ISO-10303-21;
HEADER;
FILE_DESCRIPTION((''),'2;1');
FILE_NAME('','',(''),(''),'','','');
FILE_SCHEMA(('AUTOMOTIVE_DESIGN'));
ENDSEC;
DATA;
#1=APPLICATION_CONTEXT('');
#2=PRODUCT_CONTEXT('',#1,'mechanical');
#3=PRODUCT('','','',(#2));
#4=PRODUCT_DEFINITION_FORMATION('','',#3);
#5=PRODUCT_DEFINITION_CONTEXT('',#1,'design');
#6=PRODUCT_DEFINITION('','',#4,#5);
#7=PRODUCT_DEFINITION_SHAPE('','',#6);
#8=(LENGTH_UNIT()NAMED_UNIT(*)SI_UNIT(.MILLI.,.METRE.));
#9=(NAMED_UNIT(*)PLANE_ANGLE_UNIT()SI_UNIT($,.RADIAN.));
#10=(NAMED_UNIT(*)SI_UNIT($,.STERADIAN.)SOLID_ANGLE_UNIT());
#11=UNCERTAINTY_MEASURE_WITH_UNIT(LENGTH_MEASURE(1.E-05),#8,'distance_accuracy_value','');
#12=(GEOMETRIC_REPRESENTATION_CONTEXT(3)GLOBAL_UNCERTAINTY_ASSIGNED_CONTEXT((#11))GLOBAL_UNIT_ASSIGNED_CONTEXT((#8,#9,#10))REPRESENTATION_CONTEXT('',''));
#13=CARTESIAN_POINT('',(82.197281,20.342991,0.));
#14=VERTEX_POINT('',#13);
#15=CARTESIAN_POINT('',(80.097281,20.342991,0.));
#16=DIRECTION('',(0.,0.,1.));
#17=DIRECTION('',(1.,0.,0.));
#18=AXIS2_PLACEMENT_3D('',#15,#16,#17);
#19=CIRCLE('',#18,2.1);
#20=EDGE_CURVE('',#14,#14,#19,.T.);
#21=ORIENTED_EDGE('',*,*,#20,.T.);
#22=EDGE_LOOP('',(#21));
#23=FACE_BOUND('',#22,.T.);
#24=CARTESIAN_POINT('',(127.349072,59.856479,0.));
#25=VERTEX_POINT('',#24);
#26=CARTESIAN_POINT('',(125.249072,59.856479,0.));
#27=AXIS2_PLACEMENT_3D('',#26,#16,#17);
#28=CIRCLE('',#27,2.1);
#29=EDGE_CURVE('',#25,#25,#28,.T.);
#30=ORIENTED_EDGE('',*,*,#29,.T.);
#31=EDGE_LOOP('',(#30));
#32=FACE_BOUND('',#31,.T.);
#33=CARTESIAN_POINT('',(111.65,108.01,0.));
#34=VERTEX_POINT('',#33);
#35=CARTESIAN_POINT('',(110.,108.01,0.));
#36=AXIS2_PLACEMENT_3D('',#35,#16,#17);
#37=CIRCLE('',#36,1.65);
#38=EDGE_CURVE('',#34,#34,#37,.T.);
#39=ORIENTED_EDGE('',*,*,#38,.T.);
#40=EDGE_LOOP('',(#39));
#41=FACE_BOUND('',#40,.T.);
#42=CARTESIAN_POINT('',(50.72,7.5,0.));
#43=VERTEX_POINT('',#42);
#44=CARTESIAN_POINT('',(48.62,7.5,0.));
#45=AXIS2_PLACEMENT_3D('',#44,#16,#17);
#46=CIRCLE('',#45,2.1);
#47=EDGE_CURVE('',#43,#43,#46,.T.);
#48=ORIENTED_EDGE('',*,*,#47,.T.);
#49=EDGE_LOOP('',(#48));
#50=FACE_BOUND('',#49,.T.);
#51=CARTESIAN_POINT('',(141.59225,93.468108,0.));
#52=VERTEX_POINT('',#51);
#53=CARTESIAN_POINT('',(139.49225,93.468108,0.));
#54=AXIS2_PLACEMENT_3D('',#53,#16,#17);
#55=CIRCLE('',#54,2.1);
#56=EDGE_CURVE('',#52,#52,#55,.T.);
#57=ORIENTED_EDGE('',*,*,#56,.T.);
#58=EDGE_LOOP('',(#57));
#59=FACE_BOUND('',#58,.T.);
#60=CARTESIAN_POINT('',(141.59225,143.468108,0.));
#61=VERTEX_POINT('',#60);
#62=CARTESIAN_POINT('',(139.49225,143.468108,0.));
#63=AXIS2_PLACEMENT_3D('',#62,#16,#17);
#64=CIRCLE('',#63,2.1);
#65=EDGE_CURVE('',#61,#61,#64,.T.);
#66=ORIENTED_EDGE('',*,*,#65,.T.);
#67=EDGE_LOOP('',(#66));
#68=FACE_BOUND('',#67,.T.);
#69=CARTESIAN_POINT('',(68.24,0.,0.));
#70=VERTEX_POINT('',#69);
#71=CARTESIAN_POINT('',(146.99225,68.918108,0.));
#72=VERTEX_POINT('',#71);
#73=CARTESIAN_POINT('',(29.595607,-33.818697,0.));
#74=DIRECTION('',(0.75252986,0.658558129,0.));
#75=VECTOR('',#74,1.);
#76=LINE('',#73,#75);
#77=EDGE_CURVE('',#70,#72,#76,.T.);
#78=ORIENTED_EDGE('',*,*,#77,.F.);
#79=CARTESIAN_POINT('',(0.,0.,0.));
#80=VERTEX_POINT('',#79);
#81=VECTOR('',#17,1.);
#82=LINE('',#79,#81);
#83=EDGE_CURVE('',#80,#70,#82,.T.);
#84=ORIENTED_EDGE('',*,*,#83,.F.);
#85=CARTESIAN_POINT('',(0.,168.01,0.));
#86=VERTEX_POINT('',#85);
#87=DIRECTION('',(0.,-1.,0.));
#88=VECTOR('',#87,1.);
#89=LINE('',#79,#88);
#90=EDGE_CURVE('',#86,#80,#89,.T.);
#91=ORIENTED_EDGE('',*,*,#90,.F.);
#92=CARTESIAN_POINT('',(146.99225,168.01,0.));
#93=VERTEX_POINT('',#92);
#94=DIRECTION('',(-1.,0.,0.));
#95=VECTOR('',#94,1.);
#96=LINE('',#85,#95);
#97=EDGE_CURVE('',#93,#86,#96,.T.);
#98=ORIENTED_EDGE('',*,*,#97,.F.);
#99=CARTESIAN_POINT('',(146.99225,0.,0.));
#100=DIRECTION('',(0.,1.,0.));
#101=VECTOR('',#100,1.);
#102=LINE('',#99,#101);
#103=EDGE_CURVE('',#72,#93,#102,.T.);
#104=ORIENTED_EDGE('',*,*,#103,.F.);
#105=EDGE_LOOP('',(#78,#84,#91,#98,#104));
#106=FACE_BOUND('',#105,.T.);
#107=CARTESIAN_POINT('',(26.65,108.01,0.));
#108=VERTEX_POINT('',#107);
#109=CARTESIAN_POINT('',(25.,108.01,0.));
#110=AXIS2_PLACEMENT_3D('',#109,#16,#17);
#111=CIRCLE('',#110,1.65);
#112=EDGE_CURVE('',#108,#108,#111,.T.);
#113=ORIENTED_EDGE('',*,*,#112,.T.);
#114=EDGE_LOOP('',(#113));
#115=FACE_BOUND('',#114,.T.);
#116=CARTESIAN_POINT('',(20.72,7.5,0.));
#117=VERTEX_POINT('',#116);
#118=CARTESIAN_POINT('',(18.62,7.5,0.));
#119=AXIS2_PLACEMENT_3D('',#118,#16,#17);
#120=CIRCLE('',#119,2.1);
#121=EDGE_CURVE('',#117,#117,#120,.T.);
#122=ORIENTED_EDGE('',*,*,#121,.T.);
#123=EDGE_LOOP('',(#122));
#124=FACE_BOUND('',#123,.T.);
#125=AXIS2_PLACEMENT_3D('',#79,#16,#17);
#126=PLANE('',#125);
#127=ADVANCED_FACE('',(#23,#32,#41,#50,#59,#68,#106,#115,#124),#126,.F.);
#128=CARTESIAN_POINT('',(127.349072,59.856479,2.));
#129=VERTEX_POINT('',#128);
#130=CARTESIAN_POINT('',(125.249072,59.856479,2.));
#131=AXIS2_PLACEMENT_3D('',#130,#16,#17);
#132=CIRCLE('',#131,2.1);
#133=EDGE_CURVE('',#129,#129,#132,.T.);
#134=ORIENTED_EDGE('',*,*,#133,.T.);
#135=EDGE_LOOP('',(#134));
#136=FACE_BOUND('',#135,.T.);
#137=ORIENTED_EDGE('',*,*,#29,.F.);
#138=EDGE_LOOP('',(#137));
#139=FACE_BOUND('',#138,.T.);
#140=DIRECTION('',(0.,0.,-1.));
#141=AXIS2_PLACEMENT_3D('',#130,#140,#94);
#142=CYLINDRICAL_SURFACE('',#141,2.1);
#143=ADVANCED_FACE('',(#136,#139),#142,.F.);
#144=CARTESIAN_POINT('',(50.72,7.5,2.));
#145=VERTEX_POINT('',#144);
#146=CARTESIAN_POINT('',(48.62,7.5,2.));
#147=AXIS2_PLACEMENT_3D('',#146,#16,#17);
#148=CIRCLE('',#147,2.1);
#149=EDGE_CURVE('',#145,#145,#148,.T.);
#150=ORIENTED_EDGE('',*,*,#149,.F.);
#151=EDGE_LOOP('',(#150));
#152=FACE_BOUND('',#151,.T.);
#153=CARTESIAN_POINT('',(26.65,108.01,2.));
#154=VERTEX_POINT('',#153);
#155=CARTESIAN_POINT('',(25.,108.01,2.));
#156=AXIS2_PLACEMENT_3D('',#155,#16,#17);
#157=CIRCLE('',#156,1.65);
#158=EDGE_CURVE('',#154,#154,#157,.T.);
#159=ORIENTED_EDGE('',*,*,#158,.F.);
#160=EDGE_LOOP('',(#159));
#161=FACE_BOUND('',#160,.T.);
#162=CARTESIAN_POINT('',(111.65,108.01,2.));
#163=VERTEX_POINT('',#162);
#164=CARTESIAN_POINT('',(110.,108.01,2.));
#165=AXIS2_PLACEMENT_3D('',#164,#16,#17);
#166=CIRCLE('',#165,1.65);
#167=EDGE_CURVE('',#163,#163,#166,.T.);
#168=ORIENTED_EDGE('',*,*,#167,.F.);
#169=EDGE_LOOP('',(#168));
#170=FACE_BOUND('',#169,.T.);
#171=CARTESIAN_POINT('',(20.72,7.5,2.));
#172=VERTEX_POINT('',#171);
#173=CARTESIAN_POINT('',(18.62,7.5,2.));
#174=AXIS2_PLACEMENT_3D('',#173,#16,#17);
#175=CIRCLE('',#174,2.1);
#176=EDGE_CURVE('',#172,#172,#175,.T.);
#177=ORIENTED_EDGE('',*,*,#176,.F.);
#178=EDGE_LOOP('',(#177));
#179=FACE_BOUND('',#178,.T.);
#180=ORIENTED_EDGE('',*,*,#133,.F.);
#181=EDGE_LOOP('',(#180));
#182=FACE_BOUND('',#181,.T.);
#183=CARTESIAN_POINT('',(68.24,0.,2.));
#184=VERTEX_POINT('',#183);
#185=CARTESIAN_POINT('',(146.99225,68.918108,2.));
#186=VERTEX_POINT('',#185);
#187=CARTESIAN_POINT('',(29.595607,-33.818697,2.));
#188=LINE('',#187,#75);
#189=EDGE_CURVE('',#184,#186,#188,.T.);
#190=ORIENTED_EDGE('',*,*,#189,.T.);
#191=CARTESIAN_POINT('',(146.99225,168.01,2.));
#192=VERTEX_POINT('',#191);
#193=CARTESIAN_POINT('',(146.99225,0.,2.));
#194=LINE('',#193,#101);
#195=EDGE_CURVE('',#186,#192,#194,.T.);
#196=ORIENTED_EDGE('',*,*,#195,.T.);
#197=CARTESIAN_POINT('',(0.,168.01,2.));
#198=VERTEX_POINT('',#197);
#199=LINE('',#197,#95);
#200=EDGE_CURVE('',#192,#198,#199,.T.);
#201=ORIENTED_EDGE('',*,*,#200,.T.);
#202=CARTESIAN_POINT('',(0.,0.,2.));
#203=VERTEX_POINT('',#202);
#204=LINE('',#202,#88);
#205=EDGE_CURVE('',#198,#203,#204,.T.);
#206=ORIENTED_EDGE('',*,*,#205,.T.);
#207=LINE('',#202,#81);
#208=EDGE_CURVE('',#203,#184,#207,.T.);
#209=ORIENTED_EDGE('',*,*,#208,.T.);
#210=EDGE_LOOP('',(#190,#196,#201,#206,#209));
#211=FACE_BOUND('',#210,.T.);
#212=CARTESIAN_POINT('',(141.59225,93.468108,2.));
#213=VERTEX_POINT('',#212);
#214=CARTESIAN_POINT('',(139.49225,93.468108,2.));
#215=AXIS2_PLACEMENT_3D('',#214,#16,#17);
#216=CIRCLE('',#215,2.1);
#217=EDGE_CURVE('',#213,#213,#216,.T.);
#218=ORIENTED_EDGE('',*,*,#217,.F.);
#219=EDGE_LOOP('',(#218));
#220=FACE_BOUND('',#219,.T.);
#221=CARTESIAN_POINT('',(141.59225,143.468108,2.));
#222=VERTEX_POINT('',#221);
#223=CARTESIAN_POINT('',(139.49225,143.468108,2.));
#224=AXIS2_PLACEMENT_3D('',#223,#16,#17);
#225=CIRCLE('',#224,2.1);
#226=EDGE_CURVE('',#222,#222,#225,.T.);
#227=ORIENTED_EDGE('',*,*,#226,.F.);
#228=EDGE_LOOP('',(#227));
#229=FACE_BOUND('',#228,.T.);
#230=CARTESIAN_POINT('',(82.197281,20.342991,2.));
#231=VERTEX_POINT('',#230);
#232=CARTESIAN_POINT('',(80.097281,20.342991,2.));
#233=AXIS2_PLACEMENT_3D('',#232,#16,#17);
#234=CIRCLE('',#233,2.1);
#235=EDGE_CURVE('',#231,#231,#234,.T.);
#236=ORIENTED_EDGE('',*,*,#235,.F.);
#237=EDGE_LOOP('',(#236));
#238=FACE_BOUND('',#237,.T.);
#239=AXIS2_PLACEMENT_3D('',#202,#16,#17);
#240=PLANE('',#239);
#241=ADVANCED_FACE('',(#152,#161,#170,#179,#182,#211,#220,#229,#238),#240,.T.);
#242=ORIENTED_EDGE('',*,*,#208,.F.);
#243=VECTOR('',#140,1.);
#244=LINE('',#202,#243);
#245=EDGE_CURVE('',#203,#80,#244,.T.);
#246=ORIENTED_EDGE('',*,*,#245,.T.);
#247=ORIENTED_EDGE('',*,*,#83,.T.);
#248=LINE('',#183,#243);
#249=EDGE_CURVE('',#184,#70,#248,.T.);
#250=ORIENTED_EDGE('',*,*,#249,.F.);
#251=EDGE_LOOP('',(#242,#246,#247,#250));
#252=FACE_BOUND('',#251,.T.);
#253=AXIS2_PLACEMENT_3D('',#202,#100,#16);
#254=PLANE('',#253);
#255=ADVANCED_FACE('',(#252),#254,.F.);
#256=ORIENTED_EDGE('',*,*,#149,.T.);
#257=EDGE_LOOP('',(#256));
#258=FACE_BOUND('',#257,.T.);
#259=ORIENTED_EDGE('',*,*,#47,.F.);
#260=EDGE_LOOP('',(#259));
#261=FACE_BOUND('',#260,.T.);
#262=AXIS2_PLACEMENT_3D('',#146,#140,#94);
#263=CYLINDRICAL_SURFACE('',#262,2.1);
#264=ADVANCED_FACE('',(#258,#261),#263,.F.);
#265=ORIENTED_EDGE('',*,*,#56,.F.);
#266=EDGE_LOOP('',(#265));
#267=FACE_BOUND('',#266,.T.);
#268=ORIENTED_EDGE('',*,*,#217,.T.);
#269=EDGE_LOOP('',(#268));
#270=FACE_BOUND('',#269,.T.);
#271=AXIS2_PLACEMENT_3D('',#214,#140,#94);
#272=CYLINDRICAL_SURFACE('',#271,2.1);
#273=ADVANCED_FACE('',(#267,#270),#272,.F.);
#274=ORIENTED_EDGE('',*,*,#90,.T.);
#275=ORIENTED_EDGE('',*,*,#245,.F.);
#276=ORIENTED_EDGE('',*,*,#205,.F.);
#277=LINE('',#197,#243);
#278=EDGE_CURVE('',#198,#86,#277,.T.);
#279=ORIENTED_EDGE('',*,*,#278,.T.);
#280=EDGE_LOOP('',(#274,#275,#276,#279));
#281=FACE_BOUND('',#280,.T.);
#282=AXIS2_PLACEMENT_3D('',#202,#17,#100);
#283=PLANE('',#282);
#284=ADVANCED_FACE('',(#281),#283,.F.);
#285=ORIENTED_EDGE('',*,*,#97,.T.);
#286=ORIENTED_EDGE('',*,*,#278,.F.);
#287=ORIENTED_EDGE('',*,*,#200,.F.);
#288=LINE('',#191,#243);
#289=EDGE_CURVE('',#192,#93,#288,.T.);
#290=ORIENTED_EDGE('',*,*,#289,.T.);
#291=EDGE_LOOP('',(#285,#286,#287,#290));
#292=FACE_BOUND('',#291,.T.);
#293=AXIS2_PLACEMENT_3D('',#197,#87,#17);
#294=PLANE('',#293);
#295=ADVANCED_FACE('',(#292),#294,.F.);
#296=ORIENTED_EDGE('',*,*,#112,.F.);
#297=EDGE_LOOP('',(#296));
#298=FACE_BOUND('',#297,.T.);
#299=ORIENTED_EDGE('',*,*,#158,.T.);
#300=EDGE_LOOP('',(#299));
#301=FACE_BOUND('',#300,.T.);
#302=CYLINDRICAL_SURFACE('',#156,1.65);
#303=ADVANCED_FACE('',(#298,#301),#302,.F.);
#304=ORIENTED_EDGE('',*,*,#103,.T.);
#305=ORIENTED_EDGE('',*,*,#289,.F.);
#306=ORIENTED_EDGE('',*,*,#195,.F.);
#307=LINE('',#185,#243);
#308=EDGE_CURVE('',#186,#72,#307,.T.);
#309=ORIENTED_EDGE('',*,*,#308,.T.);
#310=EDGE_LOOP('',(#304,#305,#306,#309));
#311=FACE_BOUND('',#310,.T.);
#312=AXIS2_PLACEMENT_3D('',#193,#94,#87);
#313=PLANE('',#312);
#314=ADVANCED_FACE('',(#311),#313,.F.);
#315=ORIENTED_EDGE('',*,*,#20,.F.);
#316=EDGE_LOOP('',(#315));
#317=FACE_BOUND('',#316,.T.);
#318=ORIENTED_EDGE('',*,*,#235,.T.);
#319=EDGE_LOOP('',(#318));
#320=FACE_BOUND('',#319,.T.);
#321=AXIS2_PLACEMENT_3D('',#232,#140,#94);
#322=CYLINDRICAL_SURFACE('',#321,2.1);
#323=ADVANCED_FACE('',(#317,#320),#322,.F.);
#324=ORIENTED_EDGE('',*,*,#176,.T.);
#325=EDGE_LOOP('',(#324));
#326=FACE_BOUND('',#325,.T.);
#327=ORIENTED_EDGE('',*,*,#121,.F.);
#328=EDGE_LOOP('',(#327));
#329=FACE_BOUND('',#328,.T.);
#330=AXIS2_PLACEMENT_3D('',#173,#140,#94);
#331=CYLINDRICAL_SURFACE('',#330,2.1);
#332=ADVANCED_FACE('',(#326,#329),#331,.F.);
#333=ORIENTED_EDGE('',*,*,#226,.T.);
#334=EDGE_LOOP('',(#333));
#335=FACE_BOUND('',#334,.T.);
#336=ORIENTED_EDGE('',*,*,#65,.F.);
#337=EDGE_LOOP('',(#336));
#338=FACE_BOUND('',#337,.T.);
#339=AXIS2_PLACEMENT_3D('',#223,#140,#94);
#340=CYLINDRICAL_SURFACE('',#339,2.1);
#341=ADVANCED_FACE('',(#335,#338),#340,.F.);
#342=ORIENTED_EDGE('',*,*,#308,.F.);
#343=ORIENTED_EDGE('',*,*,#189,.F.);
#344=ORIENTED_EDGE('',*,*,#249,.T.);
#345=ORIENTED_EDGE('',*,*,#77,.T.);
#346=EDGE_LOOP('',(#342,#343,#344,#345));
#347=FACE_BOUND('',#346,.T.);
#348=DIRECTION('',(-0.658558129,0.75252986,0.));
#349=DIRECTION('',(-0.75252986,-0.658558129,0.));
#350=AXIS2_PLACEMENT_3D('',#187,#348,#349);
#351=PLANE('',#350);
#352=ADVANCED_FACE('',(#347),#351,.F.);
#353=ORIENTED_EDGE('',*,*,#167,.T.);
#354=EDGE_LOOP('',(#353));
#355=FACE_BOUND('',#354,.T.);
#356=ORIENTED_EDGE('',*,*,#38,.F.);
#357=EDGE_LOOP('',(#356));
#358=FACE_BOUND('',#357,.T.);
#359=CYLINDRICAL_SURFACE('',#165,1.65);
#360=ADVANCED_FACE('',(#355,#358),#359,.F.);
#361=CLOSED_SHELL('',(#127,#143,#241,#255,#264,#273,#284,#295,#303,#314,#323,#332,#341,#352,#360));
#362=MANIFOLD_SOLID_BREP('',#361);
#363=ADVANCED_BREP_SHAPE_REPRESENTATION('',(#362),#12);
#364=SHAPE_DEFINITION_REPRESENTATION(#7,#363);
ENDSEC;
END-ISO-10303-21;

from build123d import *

# Parameters (mm, degrees)
SKETCH_1_R          = 2.1
EXTRUDE_1_DEPTH     = 2
SKETCH_3_R          = 1
CUT_EXTRUDE_1_DEPTH = 10
M4X0_7_1_D          = 3.3
M4X0_7_1_DEPTH      = 11.5
M4X0_7_1_TIP        = 0.991420021


with BuildPart() as part:
    # ｽｹｯﾁ1 → ﾎﾞｽ - 押し出し1 (new body)
    with BuildSketch(Plane.XY):
        Polygon((0, 0), (68.24, 0), (146.992249894, 68.918108191), (146.992249894, 168.01), (0, 168.01), align=None)
        with Locations((18.62, 7.5)):
            Circle(SKETCH_1_R, mode=Mode.SUBTRACT)
        with Locations((48.62, 7.5)):
            Circle(SKETCH_1_R, mode=Mode.SUBTRACT)
        with Locations((139.492249894, 93.468108191)):
            Circle(SKETCH_1_R, mode=Mode.SUBTRACT)
        with Locations((139.492249894, 143.468108191)):
            Circle(SKETCH_1_R, mode=Mode.SUBTRACT)
        with Locations((125.249072144, 59.856479125)):
            Circle(SKETCH_1_R, mode=Mode.SUBTRACT)
        with Locations((80.097280518, 20.342991391)):
            Circle(SKETCH_1_R, mode=Mode.SUBTRACT)
    extrude(amount=EXTRUDE_1_DEPTH)

    # ｽｹｯﾁ3 → ｶｯﾄ - 押し出し1 (cut)
    with BuildSketch(Plane.XY.offset(2)):
        with Locations((25, 108.01)):
            Circle(SKETCH_3_R)
        with Locations((110, 108.01)):
            Circle(SKETCH_3_R)
    extrude(amount=-CUT_EXTRUDE_1_DEPTH, mode=Mode.SUBTRACT)

    # M4x0.7 ねじ穴1
    with Locations(Plane(origin=(25, 108.01, 2), x_dir=(1, 0, 0), z_dir=(0, 0, 1))):
        with Locations((0, 0), (85, 0)):
            Hole(M4X0_7_1_D / 2, depth=M4X0_7_1_DEPTH)
            with Locations((0, 0, -(M4X0_7_1_DEPTH + M4X0_7_1_TIP / 2))):  # 118° drill point
                Cone(0, M4X0_7_1_D / 2, M4X0_7_1_TIP, mode=Mode.SUBTRACT)


solid = part.part
